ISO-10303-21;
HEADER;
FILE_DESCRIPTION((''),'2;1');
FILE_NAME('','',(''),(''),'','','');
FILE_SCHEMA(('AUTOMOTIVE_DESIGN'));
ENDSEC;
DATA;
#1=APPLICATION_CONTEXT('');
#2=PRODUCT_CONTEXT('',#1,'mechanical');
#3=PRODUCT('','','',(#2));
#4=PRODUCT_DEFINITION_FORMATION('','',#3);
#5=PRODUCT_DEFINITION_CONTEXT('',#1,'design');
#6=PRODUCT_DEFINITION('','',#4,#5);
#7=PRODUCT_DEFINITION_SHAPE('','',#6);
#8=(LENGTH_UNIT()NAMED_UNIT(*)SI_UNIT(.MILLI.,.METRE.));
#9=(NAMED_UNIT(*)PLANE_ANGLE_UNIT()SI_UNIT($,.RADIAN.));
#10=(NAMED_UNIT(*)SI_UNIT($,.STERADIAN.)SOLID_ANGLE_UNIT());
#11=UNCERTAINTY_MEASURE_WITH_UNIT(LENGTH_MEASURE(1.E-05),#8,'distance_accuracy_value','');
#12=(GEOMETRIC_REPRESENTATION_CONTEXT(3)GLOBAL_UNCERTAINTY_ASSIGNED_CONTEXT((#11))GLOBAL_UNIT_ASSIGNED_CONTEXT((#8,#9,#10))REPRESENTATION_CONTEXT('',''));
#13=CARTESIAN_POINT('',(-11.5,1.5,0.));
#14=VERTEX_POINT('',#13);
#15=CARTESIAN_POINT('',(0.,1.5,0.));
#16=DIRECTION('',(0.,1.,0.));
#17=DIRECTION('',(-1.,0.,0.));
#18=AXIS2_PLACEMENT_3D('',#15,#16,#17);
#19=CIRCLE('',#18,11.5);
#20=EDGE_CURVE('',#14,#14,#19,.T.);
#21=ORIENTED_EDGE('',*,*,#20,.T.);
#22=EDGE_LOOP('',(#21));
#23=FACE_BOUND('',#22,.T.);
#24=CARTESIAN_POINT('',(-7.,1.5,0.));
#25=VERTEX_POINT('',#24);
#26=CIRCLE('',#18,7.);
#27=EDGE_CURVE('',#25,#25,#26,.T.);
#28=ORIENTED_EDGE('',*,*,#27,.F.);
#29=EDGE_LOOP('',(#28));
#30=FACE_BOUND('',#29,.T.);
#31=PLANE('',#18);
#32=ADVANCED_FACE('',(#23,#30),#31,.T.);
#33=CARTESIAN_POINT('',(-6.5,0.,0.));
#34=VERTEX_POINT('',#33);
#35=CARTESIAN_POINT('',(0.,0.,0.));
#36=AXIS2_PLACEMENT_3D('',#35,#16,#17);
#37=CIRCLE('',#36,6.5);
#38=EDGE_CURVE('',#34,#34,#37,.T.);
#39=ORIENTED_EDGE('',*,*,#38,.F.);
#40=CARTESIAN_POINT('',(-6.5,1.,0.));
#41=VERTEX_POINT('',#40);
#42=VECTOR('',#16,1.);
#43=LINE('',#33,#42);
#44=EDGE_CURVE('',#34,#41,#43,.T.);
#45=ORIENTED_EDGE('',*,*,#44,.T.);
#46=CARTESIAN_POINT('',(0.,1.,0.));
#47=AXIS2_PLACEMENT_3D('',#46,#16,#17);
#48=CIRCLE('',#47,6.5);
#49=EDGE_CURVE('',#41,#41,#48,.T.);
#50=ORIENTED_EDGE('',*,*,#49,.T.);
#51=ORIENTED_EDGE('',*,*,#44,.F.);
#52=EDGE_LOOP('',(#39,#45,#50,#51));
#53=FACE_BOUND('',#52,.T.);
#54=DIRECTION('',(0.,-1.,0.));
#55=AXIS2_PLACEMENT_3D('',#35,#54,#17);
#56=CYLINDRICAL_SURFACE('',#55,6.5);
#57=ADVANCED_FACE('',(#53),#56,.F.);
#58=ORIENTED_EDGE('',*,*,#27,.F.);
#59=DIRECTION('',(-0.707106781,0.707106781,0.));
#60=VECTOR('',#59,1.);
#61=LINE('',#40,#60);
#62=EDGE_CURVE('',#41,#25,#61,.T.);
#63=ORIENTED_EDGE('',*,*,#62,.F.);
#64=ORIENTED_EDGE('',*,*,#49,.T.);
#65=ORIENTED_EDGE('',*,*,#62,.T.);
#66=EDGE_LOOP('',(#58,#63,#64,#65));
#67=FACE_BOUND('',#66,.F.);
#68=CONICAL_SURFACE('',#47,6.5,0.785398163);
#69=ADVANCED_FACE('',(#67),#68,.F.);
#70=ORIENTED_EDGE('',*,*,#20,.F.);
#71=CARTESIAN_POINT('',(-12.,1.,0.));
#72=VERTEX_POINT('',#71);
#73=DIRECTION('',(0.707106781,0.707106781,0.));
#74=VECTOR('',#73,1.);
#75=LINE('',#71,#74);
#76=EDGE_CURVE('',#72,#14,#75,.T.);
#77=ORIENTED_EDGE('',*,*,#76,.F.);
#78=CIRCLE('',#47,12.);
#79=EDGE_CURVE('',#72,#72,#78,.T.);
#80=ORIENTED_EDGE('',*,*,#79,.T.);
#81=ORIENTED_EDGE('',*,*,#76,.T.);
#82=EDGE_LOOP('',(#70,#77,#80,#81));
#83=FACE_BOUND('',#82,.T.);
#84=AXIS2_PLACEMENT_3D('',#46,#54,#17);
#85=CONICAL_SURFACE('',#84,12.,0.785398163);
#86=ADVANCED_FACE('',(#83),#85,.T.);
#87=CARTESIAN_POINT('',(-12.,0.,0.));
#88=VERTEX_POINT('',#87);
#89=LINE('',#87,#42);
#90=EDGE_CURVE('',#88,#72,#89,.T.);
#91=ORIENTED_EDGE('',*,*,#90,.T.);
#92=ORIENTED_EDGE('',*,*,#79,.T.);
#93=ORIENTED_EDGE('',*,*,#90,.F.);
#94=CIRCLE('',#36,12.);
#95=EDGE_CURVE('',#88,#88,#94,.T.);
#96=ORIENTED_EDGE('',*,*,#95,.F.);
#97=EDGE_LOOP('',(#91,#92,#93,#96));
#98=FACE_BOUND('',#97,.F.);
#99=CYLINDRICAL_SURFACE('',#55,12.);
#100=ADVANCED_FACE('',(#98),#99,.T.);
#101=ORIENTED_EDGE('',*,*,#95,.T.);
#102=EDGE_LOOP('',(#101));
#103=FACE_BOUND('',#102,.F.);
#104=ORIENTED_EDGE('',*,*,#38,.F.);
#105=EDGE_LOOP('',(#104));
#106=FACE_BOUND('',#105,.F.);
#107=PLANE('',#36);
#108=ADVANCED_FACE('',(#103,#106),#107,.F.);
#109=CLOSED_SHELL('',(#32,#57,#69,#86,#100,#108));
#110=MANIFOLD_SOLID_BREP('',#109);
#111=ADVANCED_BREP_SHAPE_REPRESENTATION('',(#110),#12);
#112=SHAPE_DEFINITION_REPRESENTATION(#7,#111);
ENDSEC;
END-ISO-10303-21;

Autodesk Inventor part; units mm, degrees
ref_plane "YZ Plane" through (0, 0, 0) normal (1, 0, 0) x (0, 1, 0)
ref_plane "XZ Plane" through (0, 0, 0) normal (0, 1, 0) x (-1, 0, 0)
ref_plane "XY Plane" through (0, 0, 0) normal (0, 0, 1) x (1, 0, 0)
sketch "Sketch1" plane through (0, 0, 0) normal (0, 1, 0) x (-1, 0, 0)
  circle A0 centre (0, 0) radius 6.5
  circle A1 centre (0, 0) radius 12
  dimension "d0" = 13
  dimension "d1" = 24
extrude "Extrusion1" add sketch "Sketch1" along normal blind 1.5
chamfer "Chamfer1" distance 0.5 angle 45 2 edges at (12, 1.5, 0) (6.5, 1.5, 0)
properties part number "M12 Form B A2 Washer RS 530-810"
